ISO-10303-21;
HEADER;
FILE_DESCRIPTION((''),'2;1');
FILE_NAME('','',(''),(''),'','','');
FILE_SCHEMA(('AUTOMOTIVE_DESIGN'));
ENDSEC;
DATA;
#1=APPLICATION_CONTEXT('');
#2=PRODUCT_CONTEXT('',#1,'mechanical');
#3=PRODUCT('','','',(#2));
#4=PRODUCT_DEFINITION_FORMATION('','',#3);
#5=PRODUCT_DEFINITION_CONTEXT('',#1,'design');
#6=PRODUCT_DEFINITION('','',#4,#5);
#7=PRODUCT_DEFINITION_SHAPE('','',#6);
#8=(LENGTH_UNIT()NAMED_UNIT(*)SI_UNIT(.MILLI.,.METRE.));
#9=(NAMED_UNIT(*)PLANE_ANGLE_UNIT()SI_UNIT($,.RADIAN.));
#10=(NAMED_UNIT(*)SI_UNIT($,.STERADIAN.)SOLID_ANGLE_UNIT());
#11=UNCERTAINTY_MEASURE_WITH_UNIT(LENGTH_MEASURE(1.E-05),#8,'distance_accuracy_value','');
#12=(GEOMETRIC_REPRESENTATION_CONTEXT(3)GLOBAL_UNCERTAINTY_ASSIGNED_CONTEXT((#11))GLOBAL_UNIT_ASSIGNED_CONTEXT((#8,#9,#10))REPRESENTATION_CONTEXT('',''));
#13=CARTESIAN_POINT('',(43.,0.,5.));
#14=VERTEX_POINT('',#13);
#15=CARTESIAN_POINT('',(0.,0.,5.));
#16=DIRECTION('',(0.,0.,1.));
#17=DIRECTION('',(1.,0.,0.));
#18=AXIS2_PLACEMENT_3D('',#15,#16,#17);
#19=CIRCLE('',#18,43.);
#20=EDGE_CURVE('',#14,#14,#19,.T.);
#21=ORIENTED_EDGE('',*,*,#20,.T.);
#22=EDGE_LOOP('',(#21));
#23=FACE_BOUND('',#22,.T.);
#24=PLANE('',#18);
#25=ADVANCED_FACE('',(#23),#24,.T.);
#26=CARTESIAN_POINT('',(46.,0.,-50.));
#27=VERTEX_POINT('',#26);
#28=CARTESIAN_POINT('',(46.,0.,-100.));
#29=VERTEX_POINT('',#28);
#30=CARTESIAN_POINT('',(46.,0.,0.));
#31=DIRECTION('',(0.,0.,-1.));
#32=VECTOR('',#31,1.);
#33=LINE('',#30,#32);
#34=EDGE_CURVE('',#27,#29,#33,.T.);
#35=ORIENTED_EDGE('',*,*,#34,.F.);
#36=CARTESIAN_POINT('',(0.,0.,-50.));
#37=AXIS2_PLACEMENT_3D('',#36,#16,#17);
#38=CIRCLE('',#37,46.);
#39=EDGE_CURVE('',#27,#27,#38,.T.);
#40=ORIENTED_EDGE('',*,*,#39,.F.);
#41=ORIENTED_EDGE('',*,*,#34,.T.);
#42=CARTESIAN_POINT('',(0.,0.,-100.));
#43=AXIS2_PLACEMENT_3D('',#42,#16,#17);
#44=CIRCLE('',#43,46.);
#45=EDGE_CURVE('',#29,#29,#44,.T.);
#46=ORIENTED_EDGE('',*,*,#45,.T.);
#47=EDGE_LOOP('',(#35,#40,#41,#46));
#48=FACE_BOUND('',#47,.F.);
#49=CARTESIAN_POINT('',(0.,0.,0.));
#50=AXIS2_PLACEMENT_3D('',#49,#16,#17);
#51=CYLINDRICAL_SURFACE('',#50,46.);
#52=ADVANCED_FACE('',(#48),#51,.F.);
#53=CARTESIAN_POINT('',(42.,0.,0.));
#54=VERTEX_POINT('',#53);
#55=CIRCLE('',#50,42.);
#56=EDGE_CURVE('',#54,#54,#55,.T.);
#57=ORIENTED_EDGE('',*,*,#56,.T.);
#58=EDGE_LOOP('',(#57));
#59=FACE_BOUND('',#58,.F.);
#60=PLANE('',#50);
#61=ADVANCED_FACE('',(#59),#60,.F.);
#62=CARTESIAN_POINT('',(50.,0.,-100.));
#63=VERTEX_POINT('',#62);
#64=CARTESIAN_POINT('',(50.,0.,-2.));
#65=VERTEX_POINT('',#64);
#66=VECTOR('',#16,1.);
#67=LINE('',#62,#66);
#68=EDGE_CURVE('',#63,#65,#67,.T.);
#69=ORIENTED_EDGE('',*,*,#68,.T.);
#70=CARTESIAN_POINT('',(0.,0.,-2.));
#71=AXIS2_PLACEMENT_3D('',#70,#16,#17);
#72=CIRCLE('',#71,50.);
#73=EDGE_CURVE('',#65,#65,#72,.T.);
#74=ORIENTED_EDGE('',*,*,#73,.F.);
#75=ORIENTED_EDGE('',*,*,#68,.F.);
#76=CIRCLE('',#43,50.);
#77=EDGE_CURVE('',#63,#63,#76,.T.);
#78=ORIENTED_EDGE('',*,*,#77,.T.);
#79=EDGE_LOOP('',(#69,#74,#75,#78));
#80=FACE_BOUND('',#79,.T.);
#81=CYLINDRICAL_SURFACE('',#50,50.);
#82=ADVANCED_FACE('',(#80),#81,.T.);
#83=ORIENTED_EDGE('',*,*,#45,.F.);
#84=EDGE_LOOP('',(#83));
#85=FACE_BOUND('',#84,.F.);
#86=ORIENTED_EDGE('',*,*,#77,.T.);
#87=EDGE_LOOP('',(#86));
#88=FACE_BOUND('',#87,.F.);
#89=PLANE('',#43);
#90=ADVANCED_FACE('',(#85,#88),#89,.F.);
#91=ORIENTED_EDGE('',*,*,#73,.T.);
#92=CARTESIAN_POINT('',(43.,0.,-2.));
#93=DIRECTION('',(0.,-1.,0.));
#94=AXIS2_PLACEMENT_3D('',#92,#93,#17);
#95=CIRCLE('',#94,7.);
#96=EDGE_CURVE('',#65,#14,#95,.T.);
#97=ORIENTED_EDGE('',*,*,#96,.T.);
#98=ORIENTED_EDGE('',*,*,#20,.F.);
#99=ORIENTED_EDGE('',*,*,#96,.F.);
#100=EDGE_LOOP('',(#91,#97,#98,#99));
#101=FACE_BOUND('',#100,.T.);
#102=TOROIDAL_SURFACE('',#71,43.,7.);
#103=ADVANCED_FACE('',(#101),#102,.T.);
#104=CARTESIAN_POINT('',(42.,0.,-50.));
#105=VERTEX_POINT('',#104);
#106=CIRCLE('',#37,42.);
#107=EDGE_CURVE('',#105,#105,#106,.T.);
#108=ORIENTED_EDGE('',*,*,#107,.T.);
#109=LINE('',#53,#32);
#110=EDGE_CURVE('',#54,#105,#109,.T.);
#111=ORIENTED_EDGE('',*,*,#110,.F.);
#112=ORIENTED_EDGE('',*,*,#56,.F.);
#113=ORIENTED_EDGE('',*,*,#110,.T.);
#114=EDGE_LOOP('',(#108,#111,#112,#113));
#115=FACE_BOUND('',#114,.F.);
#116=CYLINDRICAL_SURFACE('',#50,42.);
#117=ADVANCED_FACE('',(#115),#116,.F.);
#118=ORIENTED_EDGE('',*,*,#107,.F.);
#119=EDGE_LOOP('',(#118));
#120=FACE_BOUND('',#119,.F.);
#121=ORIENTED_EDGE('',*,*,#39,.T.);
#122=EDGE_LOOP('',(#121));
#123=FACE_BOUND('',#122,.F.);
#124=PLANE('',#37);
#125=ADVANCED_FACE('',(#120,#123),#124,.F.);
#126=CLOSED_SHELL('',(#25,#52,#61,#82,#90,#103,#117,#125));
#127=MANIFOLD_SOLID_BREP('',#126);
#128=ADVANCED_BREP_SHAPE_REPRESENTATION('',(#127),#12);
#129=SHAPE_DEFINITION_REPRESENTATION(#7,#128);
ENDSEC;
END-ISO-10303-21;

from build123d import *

# Parameters (mm, degrees)
F0_R     = 50
F0_R_2   = 46
F0_R_3   = 42
F1_DEPTH = 5
F2_DEPTH = 50
F3_DEPTH = 100
F4_R     = 7


with BuildPart() as f1:
    # F0 (on Top) → F1 (new body)
    with BuildSketch(Plane.XY):
        Circle(F0_R)
        Circle(F0_R_2, mode=Mode.SUBTRACT)
        Circle(F0_R_2)
        Circle(F0_R_3, mode=Mode.SUBTRACT)
        Circle(F0_R_3)
    extrude(amount=F1_DEPTH)

    # F0 (on Top) → F2 (join)
    with BuildSketch(Plane.XY):
        Circle(F0_R_2)
        Circle(F0_R_3, mode=Mode.SUBTRACT)
    extrude(amount=-F2_DEPTH)

    # F0 (on Top) → F3 (join)
    with BuildSketch(Plane.XY):
        Circle(F0_R)
        Circle(F0_R_2, mode=Mode.SUBTRACT)
    extrude(amount=-F3_DEPTH)

    # F4
    f4_edges = [f1.edges().sort_by_distance(p)[0] for p in [
        (-50, 0, 5),
    ]]
    fillet(f4_edges, radius=F4_R)


solid = f1.part
